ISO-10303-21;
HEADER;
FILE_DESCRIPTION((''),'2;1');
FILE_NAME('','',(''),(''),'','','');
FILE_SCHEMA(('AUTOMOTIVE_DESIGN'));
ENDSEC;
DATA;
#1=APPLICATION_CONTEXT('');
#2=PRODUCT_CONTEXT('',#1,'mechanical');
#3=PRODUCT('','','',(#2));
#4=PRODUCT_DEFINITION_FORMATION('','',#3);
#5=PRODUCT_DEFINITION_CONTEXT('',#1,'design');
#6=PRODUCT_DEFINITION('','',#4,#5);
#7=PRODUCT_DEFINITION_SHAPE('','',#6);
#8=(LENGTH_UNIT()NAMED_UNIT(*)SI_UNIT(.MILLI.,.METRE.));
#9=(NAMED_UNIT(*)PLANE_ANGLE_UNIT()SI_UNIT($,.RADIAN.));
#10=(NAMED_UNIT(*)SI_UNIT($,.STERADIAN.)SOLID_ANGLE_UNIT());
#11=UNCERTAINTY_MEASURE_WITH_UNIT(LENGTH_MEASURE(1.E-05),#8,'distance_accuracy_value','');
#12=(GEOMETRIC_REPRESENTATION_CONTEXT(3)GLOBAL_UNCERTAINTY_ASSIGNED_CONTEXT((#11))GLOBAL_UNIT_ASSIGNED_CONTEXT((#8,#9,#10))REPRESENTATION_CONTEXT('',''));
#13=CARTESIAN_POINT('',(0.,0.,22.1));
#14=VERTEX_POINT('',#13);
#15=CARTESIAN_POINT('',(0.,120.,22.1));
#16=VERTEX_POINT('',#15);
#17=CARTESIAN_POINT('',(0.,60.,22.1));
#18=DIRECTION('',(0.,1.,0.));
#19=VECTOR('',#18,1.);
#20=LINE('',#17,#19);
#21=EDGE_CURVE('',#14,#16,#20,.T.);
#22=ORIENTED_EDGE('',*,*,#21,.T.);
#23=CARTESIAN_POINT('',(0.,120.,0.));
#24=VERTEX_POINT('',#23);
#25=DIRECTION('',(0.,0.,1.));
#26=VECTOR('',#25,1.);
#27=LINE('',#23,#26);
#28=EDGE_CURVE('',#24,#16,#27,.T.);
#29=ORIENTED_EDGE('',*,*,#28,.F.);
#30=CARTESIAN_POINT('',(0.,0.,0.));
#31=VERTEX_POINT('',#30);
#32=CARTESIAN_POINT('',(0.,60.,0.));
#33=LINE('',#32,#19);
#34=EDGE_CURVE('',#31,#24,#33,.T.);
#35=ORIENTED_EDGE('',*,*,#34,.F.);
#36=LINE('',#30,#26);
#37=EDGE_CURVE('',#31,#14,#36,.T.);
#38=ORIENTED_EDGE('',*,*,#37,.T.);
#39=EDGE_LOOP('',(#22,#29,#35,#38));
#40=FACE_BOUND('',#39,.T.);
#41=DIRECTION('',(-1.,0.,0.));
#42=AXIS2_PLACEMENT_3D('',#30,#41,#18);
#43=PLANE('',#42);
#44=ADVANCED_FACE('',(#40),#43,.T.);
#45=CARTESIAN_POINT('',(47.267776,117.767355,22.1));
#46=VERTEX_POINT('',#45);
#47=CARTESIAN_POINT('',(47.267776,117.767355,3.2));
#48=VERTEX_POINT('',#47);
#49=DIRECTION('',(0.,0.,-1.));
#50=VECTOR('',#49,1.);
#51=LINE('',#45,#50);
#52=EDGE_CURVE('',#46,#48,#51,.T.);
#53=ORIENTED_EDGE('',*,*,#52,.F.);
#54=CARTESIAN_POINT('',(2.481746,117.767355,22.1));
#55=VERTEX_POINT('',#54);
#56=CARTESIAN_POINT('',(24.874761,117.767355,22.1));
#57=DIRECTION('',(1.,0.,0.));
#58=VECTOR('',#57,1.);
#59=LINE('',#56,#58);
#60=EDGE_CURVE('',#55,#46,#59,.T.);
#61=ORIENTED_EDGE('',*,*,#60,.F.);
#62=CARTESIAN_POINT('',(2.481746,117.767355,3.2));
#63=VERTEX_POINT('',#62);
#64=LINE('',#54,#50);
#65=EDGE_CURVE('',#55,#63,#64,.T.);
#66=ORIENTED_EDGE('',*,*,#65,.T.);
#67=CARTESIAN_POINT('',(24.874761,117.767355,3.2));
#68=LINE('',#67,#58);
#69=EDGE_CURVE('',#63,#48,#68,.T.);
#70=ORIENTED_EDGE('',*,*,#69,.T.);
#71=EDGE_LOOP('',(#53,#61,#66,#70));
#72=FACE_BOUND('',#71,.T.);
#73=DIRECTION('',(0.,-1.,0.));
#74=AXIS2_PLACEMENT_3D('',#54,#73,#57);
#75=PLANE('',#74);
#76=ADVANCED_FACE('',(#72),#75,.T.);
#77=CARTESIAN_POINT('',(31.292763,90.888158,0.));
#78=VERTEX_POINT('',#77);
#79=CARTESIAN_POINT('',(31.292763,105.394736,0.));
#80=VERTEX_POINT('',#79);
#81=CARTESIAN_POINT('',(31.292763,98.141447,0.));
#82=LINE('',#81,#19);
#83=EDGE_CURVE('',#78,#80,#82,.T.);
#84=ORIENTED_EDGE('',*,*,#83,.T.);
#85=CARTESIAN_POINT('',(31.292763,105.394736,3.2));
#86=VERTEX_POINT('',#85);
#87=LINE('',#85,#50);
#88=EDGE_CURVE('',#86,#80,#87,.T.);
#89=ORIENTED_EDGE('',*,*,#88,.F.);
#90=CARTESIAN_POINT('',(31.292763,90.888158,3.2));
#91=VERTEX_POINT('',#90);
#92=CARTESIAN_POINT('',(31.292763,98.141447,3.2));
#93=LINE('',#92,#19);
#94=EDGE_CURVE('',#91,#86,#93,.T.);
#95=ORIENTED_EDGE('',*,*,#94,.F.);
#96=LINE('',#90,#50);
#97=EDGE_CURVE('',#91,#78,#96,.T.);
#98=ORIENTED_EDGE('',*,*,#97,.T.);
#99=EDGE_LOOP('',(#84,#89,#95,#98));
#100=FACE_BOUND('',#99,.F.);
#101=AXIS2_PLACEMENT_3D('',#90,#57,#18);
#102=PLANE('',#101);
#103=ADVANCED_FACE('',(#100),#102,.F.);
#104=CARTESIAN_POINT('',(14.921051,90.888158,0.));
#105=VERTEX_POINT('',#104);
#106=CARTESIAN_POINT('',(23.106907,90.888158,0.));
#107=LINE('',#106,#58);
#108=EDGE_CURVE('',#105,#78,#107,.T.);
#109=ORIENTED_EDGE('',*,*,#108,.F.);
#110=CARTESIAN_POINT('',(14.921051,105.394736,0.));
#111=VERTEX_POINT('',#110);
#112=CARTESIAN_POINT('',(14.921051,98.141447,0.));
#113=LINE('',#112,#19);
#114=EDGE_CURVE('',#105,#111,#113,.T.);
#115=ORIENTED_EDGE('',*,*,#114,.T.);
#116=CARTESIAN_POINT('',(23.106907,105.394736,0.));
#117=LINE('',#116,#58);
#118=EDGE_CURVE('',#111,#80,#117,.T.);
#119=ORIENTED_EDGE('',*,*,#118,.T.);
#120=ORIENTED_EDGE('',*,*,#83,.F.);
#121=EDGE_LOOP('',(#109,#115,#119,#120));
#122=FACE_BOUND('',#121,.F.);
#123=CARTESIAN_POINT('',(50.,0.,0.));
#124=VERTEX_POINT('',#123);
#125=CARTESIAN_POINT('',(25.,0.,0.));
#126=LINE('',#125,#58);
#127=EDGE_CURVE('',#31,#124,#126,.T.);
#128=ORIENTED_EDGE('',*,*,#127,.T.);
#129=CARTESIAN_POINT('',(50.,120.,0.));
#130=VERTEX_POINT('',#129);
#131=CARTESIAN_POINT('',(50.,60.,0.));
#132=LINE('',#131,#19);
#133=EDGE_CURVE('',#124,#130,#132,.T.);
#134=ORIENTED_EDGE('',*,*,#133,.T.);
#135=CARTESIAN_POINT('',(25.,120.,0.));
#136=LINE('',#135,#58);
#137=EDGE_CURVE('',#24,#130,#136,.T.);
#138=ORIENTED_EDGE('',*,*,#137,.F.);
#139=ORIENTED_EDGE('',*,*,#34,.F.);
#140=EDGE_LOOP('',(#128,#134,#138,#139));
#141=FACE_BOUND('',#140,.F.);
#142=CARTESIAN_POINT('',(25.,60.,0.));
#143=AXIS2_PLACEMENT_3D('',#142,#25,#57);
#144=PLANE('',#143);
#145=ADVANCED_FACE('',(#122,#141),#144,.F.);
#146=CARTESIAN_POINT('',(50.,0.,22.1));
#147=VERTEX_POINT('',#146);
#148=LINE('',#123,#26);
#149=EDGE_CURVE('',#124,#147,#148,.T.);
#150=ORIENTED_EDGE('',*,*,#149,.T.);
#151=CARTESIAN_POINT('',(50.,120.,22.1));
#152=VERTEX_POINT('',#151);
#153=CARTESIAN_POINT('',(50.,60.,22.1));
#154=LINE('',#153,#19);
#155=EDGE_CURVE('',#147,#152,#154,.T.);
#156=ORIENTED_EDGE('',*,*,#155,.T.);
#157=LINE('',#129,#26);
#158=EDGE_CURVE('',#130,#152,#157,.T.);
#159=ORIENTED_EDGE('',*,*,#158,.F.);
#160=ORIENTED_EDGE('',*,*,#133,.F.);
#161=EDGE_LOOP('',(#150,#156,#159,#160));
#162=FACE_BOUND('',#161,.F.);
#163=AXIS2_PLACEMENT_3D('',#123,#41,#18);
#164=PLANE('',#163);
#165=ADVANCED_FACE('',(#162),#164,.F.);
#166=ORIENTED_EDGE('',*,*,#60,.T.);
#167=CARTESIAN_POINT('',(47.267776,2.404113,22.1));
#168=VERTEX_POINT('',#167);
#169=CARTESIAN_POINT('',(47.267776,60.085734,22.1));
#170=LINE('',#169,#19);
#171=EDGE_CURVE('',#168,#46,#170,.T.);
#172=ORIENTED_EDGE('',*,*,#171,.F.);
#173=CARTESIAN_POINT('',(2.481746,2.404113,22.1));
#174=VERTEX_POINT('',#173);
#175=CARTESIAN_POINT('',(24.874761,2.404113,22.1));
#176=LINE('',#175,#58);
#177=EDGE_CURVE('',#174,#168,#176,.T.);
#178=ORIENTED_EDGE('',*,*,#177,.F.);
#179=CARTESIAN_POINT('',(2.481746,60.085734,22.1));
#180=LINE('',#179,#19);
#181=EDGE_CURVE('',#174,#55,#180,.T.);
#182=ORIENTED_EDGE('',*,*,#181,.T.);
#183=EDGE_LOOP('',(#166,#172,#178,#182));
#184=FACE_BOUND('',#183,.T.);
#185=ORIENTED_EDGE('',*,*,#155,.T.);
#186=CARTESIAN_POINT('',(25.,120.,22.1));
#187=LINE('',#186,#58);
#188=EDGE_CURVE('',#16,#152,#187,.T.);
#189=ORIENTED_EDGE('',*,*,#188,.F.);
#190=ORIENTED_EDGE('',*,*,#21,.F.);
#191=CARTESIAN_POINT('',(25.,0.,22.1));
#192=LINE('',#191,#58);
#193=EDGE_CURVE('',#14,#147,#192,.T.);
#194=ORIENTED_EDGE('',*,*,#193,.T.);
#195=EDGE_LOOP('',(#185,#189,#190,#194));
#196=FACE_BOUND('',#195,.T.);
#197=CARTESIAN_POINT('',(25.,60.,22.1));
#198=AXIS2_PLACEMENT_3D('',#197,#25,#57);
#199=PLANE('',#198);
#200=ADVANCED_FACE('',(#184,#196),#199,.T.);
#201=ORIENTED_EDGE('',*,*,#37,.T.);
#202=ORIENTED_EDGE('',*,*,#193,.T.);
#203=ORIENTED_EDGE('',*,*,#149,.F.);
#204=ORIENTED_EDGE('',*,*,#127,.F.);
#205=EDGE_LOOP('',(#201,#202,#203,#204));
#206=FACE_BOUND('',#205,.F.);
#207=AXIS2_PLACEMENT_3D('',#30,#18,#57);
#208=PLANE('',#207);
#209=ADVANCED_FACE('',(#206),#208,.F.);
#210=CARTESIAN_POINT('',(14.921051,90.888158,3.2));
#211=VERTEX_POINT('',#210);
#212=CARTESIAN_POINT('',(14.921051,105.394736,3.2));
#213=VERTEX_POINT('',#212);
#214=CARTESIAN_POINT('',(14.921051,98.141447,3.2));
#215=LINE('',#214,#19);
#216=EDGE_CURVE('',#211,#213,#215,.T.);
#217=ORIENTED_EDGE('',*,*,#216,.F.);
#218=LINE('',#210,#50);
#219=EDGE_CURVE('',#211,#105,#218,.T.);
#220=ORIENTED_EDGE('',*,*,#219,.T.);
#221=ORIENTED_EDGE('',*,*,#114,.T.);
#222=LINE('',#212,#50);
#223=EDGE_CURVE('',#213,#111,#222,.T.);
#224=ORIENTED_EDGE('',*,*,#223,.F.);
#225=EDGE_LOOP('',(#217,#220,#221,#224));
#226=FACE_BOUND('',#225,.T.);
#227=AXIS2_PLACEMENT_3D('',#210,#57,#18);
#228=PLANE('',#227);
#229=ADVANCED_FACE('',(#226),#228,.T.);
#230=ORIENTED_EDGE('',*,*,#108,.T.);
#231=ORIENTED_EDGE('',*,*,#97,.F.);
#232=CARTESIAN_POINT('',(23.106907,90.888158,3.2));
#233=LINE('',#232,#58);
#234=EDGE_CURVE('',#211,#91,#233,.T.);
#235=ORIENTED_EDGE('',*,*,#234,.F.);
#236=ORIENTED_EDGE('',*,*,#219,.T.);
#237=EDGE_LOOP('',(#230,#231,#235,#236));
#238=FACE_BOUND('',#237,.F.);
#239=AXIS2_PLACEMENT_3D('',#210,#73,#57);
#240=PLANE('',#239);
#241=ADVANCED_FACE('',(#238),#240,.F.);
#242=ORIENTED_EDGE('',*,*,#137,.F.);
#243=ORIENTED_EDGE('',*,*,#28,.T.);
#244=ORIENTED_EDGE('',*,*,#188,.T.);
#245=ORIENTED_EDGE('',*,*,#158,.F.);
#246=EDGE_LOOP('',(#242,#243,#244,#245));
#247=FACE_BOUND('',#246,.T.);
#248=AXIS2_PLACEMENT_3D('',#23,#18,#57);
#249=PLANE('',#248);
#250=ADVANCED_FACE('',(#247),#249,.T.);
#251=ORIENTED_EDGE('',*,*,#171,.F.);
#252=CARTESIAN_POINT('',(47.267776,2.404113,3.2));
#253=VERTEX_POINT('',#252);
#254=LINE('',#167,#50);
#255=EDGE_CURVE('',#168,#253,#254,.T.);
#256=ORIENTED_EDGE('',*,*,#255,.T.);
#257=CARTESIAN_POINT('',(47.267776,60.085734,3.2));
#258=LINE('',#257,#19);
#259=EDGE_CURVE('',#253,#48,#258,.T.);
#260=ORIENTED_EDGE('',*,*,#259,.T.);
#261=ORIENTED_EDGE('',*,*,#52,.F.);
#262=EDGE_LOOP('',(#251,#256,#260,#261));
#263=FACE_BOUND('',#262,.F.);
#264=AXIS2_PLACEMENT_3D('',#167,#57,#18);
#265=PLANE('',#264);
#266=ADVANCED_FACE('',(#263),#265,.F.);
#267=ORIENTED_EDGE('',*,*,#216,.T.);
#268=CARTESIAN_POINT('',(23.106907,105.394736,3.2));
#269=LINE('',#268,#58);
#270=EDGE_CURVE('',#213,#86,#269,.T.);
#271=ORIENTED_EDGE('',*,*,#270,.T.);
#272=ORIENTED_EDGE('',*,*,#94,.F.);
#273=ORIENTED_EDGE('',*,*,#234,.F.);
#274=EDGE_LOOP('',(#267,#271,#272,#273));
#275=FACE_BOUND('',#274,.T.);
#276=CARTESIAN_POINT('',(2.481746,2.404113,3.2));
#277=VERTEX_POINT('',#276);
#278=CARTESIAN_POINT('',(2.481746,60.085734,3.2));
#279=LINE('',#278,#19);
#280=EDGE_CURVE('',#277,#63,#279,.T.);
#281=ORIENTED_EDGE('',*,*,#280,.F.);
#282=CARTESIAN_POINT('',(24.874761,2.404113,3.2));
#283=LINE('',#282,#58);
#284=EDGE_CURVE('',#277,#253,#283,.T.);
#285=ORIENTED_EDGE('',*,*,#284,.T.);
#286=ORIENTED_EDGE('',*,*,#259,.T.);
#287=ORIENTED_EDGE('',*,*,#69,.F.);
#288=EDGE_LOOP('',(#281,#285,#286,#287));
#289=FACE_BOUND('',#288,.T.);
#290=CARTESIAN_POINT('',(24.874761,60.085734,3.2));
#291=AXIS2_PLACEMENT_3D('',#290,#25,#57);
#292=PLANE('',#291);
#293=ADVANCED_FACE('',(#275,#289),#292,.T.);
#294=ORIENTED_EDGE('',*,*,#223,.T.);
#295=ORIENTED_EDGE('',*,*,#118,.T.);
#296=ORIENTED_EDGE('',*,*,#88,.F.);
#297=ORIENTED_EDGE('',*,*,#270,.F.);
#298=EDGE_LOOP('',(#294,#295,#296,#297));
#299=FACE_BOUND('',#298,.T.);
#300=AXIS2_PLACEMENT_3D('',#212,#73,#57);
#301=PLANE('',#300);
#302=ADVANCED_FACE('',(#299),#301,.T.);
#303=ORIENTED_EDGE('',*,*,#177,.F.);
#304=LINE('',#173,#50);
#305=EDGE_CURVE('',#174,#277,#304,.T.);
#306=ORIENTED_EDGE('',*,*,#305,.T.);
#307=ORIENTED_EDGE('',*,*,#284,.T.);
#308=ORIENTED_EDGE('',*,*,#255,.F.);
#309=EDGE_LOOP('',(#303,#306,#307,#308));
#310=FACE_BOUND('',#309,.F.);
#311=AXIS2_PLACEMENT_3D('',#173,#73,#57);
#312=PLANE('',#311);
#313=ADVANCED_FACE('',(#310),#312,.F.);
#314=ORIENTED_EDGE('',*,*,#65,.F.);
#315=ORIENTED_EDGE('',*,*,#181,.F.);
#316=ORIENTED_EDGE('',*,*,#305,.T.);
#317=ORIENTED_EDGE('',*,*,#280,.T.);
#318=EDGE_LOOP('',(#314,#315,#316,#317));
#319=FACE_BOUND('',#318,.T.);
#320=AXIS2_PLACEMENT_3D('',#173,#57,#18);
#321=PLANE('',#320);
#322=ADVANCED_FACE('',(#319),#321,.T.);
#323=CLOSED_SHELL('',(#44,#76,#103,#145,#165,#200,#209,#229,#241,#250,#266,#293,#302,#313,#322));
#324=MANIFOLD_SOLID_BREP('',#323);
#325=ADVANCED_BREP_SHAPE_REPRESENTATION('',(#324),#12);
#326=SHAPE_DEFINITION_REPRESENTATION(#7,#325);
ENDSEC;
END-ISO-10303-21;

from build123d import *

# Parameters (mm, degrees)
F0_W     = 50
F0_H     = 120
F1_DEPTH = 22.1
F2_W     = 44.786031
F2_H     = 115.363243
F3_DEPTH = 18.9
F4_W     = 16.371712
F4_H     = 14.506579
F5_DEPTH = 3.2


with BuildPart() as f1:
    # F0 (on Top) → F1 (new body)
    with BuildSketch(Plane.XY):
        with Locations((25, 60)):
            Rectangle(F0_W, F0_H)
    extrude(amount=F1_DEPTH)

    # F2 (on face) → F3 (cut)
    with BuildSketch(Plane.XY.offset(22.1)):
        with Locations((24.874761, 60.085734)):
            Rectangle(F2_W, F2_H)
    extrude(amount=-F3_DEPTH, mode=Mode.SUBTRACT)

    # F4 (on face) → F5 (cut, through all)
    with BuildSketch(Plane.XY.offset(3.2)):
        with Locations((23.106907, 98.141447)):
            Rectangle(F4_W, F4_H)
    extrude(amount=-F5_DEPTH, mode=Mode.SUBTRACT)


solid = f1.part
